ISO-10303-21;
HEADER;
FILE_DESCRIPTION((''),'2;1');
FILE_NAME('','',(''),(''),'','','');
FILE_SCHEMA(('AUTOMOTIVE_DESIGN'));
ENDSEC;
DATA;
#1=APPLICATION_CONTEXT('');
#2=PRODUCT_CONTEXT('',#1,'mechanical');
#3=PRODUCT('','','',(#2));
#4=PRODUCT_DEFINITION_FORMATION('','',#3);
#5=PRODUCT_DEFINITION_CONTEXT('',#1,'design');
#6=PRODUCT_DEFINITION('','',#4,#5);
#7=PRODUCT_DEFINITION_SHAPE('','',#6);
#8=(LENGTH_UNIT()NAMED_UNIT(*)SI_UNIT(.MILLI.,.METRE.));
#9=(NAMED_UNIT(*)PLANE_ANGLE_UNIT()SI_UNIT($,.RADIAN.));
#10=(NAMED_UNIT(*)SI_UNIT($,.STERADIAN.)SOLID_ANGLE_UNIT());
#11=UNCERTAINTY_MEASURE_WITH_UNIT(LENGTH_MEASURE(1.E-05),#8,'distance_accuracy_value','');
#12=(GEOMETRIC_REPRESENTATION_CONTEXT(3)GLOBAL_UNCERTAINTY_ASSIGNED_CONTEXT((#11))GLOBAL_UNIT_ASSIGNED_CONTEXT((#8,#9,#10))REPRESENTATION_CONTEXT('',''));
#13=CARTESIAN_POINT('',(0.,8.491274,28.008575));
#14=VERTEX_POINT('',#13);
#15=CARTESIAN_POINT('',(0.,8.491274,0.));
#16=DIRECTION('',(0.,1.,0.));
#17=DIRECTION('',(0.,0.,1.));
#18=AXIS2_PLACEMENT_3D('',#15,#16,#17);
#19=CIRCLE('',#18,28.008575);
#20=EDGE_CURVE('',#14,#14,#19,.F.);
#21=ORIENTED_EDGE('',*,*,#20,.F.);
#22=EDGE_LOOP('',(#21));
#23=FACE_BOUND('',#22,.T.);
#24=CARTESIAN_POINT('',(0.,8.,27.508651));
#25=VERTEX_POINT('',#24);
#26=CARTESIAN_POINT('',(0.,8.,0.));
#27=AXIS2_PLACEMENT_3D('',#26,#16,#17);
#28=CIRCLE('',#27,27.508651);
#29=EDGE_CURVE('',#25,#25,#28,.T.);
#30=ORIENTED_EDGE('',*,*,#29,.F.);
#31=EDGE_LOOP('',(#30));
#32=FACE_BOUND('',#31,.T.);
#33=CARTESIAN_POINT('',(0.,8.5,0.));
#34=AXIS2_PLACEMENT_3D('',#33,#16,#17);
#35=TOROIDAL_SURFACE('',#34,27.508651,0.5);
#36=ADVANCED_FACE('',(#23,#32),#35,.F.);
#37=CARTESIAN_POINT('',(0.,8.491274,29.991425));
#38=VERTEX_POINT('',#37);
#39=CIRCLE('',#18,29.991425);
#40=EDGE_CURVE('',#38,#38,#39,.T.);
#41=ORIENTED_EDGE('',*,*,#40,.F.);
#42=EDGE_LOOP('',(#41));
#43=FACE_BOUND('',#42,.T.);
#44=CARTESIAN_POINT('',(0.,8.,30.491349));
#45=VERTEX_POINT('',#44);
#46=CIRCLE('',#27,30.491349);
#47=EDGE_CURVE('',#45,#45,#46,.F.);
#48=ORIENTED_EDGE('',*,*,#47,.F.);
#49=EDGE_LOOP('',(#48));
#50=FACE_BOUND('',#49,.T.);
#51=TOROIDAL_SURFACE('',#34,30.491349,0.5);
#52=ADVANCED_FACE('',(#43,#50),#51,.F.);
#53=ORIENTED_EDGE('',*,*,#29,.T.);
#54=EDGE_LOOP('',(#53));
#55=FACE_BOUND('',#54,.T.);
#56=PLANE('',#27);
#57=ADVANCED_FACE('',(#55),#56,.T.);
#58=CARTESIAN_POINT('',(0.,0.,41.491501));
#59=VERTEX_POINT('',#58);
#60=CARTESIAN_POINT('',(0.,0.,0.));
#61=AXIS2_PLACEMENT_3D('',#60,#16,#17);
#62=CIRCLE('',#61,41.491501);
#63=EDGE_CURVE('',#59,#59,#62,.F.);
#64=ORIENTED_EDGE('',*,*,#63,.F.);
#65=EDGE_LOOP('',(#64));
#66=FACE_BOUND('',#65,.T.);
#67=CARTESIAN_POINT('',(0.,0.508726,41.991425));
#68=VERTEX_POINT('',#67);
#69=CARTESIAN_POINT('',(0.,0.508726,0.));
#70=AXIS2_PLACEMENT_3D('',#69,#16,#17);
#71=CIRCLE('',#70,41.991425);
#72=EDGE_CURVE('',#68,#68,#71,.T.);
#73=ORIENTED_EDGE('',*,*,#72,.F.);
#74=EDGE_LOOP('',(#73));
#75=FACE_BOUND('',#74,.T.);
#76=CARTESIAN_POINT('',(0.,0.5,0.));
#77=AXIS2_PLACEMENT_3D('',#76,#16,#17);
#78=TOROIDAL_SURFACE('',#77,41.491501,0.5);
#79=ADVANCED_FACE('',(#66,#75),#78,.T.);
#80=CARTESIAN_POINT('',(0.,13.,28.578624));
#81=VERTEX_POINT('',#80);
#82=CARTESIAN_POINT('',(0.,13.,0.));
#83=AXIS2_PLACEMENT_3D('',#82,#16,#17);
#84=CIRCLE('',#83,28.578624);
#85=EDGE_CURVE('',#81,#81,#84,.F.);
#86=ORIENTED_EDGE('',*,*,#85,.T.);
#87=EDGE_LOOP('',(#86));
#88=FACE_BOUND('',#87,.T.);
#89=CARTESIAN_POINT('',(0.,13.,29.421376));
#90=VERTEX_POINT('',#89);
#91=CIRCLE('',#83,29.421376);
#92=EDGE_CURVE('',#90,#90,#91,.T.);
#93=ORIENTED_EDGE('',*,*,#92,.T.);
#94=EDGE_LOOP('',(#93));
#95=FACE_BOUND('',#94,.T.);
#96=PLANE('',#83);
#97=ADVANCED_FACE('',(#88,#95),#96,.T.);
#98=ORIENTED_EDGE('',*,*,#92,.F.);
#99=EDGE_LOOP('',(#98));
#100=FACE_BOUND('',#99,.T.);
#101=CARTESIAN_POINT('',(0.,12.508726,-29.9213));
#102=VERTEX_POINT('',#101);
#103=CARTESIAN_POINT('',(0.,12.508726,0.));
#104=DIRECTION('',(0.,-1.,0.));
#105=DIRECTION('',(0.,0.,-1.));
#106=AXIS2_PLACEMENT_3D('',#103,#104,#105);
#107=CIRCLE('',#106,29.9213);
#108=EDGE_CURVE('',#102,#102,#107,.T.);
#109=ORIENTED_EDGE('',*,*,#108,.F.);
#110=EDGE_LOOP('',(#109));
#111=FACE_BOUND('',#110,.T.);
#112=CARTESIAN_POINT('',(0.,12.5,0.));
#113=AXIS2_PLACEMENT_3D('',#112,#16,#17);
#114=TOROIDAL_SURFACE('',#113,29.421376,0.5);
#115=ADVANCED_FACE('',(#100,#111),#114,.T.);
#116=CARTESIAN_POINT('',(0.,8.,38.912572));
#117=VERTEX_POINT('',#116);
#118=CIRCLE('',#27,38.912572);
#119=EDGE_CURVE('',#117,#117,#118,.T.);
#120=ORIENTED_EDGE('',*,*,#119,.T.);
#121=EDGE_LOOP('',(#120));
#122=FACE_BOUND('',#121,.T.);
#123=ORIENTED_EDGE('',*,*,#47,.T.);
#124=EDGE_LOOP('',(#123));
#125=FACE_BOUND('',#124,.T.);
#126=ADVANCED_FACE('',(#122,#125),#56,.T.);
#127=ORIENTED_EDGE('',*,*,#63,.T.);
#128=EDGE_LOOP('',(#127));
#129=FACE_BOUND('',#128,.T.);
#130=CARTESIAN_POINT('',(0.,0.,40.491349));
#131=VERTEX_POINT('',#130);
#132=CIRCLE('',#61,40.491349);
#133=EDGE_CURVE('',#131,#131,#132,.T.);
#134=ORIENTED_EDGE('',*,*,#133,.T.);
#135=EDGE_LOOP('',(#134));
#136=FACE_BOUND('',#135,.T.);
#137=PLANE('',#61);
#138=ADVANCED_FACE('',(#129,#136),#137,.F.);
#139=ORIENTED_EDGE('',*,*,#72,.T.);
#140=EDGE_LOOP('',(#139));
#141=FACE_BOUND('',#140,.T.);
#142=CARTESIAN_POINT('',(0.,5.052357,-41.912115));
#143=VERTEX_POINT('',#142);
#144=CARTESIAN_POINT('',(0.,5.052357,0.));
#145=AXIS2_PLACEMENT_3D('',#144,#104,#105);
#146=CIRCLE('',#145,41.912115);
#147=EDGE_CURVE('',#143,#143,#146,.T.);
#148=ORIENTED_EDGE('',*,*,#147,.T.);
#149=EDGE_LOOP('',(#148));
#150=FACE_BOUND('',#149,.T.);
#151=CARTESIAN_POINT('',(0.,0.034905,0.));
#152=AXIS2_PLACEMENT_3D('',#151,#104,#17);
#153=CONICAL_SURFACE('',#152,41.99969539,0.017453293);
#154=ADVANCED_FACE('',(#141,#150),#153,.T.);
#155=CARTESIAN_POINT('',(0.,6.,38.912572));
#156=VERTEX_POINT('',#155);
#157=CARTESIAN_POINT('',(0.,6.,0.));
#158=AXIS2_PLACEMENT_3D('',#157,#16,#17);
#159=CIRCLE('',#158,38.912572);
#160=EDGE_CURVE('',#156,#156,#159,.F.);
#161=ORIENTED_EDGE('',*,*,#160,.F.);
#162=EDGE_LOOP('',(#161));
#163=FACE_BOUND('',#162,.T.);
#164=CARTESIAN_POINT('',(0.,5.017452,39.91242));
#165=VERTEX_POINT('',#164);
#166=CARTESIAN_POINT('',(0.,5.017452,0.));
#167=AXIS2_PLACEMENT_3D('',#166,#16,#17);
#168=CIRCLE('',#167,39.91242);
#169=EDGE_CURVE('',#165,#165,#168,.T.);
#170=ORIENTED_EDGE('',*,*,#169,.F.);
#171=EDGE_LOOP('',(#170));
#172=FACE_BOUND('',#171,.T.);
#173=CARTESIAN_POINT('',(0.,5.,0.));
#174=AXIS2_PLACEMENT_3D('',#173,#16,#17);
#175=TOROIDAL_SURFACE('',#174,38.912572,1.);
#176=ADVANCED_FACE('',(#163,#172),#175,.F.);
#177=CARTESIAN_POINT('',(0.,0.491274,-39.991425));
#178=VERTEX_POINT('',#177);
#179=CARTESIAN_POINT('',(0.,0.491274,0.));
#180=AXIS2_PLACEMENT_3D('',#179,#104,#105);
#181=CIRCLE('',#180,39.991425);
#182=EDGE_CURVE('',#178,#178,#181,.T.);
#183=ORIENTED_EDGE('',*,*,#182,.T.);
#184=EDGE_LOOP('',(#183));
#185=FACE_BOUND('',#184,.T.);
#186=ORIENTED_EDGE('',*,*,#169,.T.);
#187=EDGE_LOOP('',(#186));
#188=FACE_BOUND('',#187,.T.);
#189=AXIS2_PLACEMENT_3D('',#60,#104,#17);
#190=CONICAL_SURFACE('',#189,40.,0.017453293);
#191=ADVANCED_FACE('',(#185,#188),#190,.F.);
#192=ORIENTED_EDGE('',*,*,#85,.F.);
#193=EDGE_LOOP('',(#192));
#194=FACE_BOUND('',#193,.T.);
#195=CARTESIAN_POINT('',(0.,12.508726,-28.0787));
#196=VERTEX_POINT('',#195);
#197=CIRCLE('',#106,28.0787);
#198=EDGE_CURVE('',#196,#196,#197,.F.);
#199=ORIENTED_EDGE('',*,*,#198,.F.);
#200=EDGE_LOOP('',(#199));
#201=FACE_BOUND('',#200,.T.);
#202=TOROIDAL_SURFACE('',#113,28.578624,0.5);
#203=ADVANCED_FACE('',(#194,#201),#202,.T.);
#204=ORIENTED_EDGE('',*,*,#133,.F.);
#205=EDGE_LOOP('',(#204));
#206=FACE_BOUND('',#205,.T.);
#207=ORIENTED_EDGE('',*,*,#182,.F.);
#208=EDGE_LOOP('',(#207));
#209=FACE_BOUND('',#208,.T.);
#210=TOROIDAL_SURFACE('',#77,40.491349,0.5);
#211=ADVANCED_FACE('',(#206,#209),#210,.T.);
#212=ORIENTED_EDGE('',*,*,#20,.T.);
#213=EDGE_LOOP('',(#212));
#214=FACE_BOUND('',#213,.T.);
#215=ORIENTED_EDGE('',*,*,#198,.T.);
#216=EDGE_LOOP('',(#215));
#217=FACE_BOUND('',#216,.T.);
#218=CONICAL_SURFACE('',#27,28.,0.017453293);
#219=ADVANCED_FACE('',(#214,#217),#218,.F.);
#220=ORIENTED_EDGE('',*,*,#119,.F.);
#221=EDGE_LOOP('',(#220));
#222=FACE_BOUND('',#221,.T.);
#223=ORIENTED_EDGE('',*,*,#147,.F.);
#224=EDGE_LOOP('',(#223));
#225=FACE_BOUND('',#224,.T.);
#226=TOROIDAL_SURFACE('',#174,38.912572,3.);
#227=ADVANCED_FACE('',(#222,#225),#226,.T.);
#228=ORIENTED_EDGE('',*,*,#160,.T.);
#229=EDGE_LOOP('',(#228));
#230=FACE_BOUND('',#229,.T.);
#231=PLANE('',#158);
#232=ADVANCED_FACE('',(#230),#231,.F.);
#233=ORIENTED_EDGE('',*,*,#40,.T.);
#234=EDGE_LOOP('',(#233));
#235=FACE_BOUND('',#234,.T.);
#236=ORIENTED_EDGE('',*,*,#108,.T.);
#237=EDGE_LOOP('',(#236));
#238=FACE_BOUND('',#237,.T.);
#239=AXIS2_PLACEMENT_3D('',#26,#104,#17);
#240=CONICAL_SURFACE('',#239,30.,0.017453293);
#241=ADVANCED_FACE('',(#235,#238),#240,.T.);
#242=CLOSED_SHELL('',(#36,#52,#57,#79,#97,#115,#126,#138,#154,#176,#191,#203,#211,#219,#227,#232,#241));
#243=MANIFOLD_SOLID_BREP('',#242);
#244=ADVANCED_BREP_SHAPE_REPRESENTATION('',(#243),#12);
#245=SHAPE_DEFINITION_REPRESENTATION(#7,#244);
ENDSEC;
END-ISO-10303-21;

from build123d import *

# Parameters (mm, degrees)
SKETCH1_R           = 40
BOSS_EXTRUDE1_DEPTH = 6
BOSS_EXTRUDE1_TAPER = 1
SHELL1_T            = 2
SKETCH2_R           = 30
SKETCH2_R_2         = 28
BOSS_EXTRUDE2_DEPTH = 5
BOSS_EXTRUDE2_DRAFT = 1
FILLET1_R           = 0.5
FILLET2_R           = 1
FILLET3_R           = 3
FILLET4_R           = 0.5


with BuildPart() as part:
    # Sketch1 → Boss-Extrude1 (new body)
    with BuildSketch(Plane(origin=(0, 0, 0), x_dir=(1, 0, 0), z_dir=(0, 1, 0))):
        Circle(SKETCH1_R)
    extrude(amount=BOSS_EXTRUDE1_DEPTH, taper=BOSS_EXTRUDE1_TAPER)

    # Shell1
    shell1_openings = [part.faces().sort_by_distance(p)[0] for p in [
        (0, 0, 0),
    ]]
    offset(amount=SHELL1_T, openings=shell1_openings, kind=Kind.INTERSECTION)


with BuildPart() as boss_extrude2_tool:
    # Sketch2 → Boss-Extrude2 (with draft: the straight prism first)
    with BuildSketch(Plane(origin=(0, 8, 0), x_dir=(1, 0, 0), z_dir=(0, 1, 0))):
        Circle(SKETCH2_R)
        Circle(SKETCH2_R_2, mode=Mode.SUBTRACT)
    extrude(amount=BOSS_EXTRUDE2_DEPTH)
    # Boss-Extrude2: the draft: its side faces are tilted about the plane it starts from
    boss_extrude2_sides = [boss_extrude2_tool.faces().sort_by_distance(p)[0] for p in [
        (-30, 10.5, 0),
        (-28, 10.5, 0),
    ]]
    draft(boss_extrude2_sides, Plane(origin=(0, 8, 0), x_dir=(1, 0, 0), z_dir=(0, 1, 0)), BOSS_EXTRUDE2_DRAFT)


with BuildPart() as part_1:
    add(part.part)

    # Boss-Extrude2: add boss_extrude2_tool
    add(boss_extrude2_tool.part)

    # Fillet1
    fillet1_edges = [part_1.edges().sort_by_distance(p)[0] for p in [
        (-29.912724675, 13, 0),
        (-28.087275325, 13, 0),
        (-42.000304656, 0, 0),
        (-40, 0, 0),
    ]]
    fillet(fillet1_edges, radius=FILLET1_R)

    # Fillet2
    fillet2_edges = [part_1.edges().sort_by_distance(p)[0] for p in [
        (-39.89526961, 6, 0),
    ]]
    fillet(fillet2_edges, radius=FILLET2_R)

    # Fillet3
    fillet3_edges = [part_1.edges().sort_by_distance(p)[0] for p in [
        (-41.860664137, 8, 0),
    ]]
    fillet(fillet3_edges, radius=FILLET3_R)

    # Fillet4
    fillet4_edges = [part_1.edges().sort_by_distance(p)[0] for p in [
        (-30, 8, 0),
        (-28, 8, 0),
    ]]
    fillet(fillet4_edges, radius=FILLET4_R)


solid = part_1.part
